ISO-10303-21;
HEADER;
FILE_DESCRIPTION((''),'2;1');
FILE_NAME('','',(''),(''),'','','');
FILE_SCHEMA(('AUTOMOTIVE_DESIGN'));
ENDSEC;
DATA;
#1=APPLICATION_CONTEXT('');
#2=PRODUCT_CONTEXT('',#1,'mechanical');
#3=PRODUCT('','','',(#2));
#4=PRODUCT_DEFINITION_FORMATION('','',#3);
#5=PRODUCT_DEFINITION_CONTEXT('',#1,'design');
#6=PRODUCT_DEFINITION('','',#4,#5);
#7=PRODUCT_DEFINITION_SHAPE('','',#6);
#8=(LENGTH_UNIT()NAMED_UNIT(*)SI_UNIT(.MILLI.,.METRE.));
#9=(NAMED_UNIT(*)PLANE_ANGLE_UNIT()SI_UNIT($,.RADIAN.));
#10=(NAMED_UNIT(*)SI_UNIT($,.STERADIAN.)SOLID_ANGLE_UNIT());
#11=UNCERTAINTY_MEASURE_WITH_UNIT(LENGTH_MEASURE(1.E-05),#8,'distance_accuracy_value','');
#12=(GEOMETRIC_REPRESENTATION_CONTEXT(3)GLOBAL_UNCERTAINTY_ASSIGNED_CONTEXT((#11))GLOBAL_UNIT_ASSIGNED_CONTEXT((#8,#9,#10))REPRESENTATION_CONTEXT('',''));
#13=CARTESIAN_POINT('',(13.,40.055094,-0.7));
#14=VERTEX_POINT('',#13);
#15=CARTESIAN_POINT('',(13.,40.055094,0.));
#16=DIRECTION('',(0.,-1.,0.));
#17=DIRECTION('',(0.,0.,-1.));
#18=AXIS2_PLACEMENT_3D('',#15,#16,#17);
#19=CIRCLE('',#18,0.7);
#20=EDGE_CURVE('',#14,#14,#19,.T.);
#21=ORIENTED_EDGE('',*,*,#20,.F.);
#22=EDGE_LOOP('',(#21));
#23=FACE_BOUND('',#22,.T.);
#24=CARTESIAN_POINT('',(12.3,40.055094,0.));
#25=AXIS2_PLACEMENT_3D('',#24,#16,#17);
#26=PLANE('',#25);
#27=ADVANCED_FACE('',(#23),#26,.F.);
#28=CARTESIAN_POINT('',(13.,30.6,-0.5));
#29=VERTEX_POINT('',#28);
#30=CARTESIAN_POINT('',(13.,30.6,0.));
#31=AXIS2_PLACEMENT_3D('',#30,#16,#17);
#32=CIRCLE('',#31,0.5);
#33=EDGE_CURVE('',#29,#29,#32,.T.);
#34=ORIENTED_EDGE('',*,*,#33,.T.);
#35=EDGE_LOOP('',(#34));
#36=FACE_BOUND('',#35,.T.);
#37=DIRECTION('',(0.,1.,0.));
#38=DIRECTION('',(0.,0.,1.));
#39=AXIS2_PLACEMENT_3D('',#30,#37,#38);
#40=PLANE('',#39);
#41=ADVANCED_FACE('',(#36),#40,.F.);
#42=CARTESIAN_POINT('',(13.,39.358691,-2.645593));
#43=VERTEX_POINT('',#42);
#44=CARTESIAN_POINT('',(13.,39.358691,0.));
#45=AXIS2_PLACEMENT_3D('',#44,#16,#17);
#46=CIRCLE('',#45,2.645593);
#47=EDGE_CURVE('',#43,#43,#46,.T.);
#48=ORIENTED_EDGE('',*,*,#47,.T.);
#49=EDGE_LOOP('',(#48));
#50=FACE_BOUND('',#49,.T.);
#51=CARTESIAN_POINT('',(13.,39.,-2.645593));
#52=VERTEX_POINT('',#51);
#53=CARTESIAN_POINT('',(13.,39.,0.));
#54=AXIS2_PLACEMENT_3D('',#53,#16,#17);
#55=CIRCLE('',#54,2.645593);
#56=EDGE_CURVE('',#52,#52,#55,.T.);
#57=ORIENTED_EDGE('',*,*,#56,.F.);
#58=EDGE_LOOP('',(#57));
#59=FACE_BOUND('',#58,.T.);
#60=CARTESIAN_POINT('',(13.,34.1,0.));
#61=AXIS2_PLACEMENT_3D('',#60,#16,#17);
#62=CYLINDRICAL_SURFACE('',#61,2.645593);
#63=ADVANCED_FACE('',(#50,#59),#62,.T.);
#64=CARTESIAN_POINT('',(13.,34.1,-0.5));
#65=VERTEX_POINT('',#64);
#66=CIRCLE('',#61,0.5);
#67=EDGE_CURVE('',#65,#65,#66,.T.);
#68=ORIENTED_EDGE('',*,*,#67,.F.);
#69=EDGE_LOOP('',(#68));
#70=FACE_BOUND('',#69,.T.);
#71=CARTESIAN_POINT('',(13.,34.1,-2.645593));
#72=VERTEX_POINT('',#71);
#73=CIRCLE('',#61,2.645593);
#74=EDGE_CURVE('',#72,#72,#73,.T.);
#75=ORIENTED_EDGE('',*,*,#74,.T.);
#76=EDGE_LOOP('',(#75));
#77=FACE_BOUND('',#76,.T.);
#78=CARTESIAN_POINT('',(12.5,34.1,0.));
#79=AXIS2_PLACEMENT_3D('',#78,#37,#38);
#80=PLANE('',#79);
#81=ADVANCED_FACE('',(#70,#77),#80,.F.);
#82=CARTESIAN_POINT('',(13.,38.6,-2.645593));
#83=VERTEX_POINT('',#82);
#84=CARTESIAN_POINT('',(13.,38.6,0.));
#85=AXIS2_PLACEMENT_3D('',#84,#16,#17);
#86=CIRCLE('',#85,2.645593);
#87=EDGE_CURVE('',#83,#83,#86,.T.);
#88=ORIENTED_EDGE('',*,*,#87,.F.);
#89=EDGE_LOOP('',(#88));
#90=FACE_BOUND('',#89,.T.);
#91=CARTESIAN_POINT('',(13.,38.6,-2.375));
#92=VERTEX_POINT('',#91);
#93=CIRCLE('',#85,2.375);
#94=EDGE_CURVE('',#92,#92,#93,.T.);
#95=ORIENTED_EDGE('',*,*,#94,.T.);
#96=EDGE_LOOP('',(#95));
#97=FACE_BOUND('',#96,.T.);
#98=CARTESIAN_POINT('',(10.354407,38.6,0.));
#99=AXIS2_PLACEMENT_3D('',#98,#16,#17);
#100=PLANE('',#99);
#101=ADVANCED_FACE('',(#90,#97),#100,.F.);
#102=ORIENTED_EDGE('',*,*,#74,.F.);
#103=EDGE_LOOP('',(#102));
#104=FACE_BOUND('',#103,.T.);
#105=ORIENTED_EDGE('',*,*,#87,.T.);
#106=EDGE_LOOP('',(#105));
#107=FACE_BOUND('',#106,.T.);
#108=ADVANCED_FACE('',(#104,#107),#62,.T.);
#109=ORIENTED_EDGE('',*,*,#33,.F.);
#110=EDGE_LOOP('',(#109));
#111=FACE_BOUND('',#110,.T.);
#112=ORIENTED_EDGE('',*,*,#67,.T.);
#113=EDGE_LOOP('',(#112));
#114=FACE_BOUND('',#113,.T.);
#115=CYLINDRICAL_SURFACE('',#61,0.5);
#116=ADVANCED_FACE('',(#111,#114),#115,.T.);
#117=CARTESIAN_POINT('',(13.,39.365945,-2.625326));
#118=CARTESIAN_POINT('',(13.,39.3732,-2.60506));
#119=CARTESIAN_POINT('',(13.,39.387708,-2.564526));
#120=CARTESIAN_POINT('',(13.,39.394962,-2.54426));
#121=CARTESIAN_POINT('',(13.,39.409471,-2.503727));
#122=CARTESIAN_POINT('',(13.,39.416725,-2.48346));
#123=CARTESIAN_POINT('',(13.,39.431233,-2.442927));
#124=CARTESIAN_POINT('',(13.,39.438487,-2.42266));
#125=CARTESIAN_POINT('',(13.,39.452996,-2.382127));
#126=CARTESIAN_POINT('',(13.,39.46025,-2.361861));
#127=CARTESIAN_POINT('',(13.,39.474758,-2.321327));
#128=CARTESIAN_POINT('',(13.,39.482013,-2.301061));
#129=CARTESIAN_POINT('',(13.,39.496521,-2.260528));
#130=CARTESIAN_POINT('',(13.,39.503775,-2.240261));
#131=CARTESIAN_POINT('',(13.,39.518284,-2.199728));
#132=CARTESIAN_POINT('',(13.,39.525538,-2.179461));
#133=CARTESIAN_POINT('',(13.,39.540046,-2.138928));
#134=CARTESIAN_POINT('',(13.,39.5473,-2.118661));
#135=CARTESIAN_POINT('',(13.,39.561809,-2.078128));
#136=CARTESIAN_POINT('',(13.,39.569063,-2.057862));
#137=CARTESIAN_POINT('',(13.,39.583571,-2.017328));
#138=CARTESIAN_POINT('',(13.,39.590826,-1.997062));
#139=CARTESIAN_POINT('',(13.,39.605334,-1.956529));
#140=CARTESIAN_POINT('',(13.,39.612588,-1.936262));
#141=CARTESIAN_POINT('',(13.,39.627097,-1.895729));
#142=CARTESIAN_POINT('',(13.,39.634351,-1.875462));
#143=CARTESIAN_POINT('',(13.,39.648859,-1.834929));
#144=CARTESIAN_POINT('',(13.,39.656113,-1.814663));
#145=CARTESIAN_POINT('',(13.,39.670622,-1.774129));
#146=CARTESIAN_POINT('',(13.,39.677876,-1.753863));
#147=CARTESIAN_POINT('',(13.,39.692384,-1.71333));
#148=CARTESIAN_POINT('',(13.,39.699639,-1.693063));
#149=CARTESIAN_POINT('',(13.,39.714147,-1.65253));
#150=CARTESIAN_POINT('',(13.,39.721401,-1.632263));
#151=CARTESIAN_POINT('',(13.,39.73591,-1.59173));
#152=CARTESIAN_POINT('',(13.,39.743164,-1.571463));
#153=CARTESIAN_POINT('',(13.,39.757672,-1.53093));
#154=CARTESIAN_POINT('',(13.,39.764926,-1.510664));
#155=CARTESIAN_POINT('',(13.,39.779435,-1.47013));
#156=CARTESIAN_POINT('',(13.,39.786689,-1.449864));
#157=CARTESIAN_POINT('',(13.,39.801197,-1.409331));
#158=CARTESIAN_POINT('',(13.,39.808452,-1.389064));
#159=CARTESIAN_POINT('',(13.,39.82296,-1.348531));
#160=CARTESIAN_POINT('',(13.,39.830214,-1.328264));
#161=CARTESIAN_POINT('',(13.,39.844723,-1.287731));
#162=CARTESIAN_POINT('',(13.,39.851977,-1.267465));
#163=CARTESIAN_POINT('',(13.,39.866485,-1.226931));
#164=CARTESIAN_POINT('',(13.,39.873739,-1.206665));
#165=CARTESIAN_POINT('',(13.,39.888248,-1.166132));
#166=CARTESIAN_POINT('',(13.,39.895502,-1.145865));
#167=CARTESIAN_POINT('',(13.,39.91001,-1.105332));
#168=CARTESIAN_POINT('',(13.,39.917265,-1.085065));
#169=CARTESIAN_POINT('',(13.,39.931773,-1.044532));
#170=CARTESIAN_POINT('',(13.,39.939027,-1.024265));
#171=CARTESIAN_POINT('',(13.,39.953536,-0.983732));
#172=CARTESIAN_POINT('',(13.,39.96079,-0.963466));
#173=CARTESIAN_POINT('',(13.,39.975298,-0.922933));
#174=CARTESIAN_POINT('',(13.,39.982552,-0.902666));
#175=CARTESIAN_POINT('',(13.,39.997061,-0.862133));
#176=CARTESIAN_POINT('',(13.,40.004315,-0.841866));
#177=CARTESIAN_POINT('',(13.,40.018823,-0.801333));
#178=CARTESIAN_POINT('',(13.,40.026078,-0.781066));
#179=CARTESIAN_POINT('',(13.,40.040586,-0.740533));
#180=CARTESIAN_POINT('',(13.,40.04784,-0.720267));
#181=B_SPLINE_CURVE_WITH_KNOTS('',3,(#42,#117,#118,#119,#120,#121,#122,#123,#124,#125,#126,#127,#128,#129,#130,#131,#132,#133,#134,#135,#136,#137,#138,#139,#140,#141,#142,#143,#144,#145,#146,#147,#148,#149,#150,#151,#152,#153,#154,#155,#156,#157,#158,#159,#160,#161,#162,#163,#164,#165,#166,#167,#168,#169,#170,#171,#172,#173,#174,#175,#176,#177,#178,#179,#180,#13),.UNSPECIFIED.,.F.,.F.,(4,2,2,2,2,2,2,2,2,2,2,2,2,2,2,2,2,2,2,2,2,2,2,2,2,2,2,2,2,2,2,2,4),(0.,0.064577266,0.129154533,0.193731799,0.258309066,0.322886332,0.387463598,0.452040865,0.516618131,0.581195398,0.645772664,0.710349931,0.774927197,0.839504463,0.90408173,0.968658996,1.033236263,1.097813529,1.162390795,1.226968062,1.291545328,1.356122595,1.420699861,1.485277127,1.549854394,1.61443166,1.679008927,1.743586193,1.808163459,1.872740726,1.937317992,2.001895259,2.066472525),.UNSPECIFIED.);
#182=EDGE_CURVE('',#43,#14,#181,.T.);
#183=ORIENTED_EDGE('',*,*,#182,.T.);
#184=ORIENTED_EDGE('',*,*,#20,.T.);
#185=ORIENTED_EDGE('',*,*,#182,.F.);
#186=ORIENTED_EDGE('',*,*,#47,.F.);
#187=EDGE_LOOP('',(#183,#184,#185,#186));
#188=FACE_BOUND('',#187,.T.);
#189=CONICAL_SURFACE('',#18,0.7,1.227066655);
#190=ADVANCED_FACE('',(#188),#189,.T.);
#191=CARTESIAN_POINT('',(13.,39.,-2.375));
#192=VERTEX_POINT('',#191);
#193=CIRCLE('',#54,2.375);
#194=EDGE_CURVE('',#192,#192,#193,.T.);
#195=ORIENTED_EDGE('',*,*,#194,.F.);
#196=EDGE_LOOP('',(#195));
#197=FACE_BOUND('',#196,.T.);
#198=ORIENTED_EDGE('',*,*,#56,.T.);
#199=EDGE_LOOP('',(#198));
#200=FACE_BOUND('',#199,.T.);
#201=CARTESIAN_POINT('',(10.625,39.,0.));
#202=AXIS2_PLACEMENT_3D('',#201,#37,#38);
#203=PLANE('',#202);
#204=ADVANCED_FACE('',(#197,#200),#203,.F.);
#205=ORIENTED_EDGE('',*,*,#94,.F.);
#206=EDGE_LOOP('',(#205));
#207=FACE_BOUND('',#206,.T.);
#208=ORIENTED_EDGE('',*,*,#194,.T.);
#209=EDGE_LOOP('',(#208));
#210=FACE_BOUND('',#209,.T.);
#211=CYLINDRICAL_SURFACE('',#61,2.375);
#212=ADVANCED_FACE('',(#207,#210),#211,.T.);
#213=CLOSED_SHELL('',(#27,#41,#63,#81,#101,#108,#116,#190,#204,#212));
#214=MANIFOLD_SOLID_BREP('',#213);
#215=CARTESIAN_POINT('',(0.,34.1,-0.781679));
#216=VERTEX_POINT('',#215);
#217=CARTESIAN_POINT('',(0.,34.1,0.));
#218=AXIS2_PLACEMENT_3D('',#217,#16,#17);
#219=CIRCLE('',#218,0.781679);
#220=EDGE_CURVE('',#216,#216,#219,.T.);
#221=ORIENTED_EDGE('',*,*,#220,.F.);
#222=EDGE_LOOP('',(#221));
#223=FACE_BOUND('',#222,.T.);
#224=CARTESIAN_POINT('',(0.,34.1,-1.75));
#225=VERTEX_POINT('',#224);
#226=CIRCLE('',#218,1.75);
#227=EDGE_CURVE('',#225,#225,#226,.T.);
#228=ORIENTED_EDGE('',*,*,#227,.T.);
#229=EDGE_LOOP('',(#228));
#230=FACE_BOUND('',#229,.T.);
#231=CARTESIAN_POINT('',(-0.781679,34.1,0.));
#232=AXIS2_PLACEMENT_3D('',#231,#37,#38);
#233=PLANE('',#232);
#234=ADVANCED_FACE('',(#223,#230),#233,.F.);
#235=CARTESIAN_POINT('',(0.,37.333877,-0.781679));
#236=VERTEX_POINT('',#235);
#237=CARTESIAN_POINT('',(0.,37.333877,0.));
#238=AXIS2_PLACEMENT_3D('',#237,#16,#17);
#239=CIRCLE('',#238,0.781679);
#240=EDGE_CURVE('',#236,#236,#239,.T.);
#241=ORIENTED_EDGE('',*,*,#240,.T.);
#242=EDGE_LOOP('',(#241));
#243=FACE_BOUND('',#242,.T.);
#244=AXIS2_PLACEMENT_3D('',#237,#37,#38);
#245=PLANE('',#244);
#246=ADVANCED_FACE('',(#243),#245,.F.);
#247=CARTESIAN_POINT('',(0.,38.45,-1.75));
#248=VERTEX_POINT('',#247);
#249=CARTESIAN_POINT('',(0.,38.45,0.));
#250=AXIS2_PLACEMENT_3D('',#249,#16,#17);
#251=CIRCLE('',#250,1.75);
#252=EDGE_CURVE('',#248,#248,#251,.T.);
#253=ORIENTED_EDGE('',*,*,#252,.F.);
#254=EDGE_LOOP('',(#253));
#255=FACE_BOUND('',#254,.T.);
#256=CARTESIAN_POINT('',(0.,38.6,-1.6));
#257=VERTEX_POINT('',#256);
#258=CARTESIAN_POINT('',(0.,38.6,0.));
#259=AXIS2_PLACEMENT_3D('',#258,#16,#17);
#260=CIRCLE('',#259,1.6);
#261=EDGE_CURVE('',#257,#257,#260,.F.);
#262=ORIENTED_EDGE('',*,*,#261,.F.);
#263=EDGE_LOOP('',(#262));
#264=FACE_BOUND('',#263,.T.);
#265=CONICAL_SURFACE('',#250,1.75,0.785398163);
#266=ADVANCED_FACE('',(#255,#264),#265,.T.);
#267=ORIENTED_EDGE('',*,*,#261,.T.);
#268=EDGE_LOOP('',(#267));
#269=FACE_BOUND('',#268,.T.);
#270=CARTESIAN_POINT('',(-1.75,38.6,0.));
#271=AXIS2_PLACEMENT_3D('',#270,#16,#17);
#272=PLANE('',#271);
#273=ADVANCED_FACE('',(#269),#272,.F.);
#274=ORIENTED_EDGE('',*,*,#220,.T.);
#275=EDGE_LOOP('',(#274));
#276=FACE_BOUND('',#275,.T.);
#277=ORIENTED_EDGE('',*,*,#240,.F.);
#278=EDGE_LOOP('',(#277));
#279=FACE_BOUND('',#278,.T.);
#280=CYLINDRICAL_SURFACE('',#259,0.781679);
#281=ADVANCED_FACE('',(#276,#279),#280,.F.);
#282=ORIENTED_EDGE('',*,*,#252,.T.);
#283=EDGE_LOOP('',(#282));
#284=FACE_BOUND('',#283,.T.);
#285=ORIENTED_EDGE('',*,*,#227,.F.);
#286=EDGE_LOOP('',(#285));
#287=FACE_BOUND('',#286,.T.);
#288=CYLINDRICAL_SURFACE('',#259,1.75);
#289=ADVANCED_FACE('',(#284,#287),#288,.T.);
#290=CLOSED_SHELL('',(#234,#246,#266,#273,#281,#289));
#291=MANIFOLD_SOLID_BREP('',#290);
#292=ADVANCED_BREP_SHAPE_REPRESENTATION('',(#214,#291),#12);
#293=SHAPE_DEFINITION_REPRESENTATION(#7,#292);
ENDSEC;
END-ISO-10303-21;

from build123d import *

# Parameters (mm, degrees)
CHAMFER_1_SIZE = 0.15


with BuildPart() as part:
    # Эскиз1 → Повернуть1 (revolve)
    with BuildSketch(Plane.XY, mode=Mode.PRIVATE) as revolve_1_sk:
        Polygon((0, 37.333876566), (-0.78167855, 37.333876566), (-0.78167855, 34.1), (-1.75, 34.1), (-1.75, 38.6), (0, 38.6), align=None)
    revolve(revolve_1_sk.sketch.rotate(Axis((0, 38.6, 0), (0, 1, 0)), 270), axis=Axis((0, 38.6, 0), (0, 1, 0)))

    # Фаска1
    chamfer_1_edges = [part.edges().sort_by_distance(p)[0] for p in [
        (0, 38.6, 1.75),
    ]]
    chamfer(chamfer_1_edges, length=CHAMFER_1_SIZE)


with BuildPart() as body_2:
    # Эскиз3 → Повернуть2 (revolve)
    with BuildSketch(Plane.XY, mode=Mode.PRIVATE) as revolve_2_sk:
        Polygon((12.5, 34.1), (10.354407203, 34.1), (10.354407203, 38.6), (10.625, 38.6), (10.625, 39), (10.354407203, 39), (10.354407203, 39.358691232), (12.3, 40.055094394), (13, 40.055094394), (13, 34.1), (13, 30.6), (12.5, 30.6), align=None)
    revolve(revolve_2_sk.sketch.rotate(Axis((13, 34.1, 0), (0, 1, 0)), 270), axis=Axis((13, 34.1, 0), (0, 1, 0)))


solid = Compound([part.part, body_2.part])
